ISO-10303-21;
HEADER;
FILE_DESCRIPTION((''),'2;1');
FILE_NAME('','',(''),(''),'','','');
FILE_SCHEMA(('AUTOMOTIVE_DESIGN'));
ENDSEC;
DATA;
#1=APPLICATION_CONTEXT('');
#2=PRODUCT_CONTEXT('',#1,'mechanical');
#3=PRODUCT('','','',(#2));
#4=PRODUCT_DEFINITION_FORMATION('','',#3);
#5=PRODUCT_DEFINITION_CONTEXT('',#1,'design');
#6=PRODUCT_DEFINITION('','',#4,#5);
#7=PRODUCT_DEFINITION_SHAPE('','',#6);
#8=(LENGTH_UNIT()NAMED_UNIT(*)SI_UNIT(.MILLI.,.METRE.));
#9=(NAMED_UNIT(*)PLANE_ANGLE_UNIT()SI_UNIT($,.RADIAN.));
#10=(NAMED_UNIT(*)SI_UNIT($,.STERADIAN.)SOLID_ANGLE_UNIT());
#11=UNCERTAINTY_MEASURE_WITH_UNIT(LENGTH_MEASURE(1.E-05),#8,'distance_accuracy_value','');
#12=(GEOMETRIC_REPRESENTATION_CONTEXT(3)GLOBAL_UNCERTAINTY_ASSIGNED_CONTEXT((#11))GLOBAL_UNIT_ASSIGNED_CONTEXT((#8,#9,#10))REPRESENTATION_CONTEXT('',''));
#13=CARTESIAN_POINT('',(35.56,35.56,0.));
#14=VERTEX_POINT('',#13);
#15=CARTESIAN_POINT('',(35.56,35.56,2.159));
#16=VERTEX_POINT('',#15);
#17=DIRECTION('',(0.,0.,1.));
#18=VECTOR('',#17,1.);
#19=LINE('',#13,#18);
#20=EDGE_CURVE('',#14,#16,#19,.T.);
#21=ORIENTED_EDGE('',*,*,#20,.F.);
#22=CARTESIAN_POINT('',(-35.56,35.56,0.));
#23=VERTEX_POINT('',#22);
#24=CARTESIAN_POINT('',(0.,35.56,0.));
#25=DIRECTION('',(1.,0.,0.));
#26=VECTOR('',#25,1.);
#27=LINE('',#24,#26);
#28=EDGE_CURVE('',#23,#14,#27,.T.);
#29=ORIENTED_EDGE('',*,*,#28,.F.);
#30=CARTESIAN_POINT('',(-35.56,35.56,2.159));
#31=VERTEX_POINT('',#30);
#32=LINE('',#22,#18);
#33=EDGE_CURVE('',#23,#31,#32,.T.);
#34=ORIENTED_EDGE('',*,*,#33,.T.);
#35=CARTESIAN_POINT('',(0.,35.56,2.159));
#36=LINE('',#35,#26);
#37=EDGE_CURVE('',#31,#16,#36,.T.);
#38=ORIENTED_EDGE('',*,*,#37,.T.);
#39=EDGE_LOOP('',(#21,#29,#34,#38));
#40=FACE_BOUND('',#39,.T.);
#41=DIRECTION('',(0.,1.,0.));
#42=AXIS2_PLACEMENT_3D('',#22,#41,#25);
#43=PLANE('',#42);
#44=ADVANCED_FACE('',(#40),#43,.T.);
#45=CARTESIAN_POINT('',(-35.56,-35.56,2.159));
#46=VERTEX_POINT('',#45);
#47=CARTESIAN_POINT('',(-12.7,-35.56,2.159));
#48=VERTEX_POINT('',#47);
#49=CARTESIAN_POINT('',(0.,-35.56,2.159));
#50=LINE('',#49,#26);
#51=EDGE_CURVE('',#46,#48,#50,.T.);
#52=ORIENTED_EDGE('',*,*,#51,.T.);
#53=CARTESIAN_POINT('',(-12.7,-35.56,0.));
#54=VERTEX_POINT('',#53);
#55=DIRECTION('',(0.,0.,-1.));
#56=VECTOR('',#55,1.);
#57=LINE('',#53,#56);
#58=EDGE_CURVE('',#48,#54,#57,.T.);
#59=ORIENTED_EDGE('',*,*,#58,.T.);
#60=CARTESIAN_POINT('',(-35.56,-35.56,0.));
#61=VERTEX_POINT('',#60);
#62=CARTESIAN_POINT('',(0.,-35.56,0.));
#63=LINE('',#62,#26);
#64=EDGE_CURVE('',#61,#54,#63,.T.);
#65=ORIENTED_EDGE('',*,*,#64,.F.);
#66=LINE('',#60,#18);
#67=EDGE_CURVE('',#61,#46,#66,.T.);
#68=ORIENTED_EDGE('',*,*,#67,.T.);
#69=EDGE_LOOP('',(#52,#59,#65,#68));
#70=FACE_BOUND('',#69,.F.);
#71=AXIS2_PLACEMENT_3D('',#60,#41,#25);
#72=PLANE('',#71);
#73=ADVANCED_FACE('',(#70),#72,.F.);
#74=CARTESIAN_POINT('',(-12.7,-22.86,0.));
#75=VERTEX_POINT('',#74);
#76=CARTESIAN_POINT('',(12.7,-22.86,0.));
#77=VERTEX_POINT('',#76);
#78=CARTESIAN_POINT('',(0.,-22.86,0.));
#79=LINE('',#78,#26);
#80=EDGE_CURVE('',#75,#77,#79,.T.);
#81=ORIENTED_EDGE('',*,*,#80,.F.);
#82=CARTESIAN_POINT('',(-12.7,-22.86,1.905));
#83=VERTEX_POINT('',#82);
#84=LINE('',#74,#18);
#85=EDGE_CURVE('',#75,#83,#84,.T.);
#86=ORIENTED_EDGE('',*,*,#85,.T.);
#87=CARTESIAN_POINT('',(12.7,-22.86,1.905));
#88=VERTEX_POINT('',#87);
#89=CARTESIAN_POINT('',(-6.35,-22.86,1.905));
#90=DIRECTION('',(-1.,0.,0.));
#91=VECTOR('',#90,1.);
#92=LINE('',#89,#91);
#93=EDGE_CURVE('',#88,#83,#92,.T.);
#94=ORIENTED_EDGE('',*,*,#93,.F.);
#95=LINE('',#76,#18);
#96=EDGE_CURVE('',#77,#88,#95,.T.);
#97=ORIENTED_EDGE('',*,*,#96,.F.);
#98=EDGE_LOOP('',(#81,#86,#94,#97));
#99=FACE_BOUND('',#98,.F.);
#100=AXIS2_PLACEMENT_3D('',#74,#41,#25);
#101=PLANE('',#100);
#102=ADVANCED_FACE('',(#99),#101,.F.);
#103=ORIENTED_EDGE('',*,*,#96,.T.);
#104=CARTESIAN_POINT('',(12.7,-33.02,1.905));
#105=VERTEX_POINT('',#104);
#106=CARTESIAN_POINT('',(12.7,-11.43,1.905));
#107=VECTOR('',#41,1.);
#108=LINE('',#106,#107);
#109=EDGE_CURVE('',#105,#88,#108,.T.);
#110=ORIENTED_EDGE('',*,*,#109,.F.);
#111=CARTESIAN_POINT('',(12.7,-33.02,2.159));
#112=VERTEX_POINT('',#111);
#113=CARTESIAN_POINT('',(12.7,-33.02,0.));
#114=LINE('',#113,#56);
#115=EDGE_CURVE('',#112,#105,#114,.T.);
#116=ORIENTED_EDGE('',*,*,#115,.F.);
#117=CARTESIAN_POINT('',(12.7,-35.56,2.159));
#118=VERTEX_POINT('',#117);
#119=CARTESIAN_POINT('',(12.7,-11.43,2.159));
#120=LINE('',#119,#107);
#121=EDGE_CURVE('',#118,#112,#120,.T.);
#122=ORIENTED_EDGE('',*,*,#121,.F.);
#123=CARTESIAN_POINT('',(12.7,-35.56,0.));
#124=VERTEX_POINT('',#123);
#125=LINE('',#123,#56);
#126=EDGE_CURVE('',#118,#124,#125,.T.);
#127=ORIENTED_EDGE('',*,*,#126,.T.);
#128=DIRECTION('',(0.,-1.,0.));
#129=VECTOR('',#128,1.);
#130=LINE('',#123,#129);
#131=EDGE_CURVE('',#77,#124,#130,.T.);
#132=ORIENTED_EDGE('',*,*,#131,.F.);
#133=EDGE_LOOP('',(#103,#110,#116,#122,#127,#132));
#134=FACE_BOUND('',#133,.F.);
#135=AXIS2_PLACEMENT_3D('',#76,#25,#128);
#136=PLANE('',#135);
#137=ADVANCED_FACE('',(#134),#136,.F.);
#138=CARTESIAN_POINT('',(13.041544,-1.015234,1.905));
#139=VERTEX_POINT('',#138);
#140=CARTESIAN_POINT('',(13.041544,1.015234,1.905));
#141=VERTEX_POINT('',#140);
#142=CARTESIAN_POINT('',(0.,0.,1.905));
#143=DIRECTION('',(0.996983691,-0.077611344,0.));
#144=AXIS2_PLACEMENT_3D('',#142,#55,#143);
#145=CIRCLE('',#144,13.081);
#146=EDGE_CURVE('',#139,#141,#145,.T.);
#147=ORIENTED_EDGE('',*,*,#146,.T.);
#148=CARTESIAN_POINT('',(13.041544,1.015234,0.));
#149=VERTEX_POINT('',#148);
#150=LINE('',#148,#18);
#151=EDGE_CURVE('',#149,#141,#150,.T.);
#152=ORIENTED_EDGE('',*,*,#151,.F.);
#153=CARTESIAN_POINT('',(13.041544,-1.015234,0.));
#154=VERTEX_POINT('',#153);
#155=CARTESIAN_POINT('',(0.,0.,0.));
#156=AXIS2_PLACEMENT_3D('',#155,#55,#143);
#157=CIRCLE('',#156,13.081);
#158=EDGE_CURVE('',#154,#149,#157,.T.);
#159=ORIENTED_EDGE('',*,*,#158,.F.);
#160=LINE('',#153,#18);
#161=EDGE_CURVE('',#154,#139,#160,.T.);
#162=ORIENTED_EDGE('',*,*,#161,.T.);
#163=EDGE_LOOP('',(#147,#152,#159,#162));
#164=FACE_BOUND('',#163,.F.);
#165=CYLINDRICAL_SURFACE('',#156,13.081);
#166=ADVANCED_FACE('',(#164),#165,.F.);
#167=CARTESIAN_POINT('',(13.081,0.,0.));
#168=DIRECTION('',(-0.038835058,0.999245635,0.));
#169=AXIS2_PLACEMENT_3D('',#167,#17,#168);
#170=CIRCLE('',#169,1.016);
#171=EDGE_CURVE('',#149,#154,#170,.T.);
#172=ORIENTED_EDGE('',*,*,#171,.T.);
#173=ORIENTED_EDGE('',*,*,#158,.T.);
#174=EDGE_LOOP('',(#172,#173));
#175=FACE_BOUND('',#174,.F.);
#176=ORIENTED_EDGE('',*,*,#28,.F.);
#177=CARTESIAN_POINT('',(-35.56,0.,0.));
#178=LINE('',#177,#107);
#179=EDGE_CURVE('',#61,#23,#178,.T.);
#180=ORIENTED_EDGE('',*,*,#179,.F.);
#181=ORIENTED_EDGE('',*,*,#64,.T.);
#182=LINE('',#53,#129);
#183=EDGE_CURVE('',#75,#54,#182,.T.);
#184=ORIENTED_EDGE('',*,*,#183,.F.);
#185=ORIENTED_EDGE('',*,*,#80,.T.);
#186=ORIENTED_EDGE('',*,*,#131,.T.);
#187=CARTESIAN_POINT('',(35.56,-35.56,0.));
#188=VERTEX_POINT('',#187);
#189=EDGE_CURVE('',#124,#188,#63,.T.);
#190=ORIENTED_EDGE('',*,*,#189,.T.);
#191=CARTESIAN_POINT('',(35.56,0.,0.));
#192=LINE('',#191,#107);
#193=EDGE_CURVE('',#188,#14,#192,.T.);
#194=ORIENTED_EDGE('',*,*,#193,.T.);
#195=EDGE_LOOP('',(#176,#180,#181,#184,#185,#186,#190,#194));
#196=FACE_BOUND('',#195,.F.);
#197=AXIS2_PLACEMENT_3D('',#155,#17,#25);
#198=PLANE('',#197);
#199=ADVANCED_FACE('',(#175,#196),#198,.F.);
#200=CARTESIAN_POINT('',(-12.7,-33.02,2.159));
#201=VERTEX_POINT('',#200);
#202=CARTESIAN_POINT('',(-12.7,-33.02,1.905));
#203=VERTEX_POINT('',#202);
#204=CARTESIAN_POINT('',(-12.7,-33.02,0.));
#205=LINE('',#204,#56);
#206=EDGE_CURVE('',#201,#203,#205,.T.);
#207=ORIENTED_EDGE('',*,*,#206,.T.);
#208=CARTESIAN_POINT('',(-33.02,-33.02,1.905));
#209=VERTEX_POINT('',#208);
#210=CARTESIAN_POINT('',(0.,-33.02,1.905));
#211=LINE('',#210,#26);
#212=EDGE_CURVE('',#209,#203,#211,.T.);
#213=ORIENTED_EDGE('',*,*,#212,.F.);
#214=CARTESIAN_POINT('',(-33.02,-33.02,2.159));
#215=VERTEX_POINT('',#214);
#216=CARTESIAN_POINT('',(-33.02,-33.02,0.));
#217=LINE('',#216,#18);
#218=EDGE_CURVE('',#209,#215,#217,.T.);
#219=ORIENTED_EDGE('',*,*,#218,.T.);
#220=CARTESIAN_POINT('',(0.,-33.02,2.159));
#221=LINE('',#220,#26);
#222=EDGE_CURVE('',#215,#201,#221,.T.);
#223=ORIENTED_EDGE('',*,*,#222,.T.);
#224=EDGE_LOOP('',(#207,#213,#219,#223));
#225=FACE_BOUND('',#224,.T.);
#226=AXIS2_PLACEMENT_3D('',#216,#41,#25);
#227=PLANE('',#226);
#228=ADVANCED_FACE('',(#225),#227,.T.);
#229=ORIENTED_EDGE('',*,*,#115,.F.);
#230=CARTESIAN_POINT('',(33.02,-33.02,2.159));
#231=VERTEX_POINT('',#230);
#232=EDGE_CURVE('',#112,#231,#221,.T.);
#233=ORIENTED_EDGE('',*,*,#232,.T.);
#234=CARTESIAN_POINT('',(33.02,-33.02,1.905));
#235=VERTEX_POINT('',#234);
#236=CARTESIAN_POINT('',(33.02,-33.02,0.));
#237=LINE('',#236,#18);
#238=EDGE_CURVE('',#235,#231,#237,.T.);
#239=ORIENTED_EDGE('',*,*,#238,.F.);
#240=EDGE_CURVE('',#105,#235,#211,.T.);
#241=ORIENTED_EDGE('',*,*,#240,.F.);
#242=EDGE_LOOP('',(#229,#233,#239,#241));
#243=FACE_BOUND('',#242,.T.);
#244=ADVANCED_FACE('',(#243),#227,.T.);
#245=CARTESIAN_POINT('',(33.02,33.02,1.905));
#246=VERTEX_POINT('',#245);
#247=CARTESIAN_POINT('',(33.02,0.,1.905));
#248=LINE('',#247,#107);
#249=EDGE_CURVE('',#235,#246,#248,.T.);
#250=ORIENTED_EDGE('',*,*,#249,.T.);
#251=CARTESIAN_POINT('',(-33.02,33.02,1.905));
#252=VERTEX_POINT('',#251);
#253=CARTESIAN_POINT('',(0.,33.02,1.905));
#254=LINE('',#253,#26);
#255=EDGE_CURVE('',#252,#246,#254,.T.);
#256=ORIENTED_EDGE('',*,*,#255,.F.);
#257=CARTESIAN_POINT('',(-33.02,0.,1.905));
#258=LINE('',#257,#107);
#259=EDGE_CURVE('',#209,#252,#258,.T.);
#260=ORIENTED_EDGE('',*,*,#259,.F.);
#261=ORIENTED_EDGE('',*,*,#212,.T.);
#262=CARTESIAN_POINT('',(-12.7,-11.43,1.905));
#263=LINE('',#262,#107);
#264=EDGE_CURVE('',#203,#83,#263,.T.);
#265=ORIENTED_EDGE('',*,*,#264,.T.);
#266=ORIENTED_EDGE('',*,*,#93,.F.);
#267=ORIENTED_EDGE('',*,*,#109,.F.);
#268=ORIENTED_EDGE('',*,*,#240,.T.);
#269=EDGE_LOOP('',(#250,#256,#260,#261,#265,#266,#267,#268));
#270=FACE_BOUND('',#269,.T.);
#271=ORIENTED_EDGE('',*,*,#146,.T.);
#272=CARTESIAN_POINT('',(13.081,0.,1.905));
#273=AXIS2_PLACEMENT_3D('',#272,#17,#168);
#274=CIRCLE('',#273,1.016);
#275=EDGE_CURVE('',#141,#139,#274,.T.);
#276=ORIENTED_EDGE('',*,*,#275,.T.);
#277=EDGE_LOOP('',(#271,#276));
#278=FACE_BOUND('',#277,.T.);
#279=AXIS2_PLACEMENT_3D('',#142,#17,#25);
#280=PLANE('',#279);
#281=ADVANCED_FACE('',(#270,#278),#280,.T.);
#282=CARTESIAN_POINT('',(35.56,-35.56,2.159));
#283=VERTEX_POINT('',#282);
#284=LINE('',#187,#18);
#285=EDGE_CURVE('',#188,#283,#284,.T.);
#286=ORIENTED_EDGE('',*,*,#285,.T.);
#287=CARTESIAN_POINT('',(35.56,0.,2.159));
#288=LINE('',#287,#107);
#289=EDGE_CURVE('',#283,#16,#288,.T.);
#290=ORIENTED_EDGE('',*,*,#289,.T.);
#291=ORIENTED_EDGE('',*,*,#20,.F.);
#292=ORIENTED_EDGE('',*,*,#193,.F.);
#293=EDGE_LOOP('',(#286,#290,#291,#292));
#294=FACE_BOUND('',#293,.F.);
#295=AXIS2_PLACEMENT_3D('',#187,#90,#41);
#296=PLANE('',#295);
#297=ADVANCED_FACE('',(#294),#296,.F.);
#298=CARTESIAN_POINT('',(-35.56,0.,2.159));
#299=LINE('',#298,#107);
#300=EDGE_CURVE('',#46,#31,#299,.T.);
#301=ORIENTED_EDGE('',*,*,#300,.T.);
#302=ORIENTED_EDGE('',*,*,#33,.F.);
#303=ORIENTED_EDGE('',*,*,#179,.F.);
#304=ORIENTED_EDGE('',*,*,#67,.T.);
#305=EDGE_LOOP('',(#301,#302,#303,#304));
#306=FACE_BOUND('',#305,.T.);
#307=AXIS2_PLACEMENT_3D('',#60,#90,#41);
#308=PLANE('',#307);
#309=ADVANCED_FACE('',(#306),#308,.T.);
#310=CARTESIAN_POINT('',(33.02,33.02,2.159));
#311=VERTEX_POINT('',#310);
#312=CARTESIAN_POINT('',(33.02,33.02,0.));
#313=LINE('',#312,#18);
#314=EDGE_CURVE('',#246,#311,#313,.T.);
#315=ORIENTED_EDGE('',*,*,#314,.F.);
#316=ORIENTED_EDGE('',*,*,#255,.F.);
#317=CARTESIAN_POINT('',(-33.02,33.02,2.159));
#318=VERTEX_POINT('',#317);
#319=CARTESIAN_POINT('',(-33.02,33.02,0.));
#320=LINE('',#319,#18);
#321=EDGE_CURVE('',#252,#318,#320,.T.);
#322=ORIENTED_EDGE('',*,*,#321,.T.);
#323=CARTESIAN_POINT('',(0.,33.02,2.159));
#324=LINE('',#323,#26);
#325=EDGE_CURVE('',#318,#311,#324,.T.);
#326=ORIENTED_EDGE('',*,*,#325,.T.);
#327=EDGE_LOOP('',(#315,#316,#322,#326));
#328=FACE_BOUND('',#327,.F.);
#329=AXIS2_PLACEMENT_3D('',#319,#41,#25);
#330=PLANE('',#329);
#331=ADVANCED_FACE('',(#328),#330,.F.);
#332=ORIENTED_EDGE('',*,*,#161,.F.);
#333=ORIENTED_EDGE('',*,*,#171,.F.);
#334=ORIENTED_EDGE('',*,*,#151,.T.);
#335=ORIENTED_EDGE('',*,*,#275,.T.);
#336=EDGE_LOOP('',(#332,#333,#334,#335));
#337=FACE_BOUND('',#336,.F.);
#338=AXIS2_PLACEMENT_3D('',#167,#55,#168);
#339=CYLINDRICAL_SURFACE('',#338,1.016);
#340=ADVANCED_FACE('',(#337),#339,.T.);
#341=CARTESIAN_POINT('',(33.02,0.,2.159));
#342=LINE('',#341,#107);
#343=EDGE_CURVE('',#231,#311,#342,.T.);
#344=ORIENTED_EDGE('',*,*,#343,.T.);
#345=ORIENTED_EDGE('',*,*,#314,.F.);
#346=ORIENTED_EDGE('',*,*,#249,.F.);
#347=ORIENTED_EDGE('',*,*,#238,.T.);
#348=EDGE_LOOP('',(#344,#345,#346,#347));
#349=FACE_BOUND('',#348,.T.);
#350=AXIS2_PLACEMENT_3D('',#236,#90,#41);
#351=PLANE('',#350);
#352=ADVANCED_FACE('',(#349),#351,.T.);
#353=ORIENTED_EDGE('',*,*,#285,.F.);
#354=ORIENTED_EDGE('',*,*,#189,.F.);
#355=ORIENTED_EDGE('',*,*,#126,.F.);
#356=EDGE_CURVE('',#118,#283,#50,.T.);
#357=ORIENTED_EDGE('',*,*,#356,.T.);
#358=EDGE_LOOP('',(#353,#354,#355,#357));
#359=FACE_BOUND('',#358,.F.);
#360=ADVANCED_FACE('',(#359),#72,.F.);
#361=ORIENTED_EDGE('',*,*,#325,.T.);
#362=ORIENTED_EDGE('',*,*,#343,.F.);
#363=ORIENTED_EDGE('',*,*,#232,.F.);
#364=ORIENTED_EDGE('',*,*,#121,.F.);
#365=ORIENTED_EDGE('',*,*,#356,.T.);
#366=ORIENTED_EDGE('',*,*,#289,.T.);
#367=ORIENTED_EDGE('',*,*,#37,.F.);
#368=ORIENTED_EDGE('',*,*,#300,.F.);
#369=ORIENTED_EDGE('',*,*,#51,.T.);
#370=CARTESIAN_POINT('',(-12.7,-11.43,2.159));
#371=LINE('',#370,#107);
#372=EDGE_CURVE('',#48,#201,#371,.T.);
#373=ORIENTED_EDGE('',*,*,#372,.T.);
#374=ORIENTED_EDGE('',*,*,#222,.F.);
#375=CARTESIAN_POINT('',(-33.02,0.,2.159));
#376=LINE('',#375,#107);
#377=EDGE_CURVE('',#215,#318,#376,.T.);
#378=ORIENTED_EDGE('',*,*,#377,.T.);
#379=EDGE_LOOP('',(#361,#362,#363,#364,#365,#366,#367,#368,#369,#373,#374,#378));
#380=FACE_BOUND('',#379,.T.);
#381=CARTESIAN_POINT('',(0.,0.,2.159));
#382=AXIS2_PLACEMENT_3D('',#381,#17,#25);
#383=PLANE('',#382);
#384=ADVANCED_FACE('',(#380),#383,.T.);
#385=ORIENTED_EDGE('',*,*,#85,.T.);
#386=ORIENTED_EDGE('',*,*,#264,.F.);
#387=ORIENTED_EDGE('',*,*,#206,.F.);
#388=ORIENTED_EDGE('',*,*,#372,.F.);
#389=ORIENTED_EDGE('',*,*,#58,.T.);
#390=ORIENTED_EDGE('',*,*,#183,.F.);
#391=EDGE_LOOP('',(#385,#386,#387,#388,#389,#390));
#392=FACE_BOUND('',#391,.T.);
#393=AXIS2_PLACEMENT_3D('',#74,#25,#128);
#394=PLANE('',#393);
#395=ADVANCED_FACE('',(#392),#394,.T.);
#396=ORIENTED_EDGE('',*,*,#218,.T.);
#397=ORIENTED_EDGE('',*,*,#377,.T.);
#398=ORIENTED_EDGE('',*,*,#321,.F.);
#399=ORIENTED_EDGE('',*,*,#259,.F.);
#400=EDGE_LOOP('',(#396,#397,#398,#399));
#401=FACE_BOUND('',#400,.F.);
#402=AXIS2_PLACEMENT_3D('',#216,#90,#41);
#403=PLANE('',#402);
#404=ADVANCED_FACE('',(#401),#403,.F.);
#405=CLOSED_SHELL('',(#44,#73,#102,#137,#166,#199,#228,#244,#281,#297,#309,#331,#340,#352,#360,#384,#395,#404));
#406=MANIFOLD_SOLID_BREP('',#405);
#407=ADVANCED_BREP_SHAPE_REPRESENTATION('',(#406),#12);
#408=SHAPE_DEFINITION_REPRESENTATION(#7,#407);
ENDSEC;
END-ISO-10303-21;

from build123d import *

# Parameters (mm, degrees)
F0_W     = 66.04
F0_H     = 66.04
F1_DEPTH = 1.905
F0_W_2   = 71.12
F0_H_2   = 71.12
F2_DEPTH = 2.159
F3_W     = 25.4
F3_H     = 25.4
F4_DEPTH = 25.4


with BuildPart() as f1:
    # F0 (on Top) → F1 (new body)
    with BuildSketch(Plane.XY):
        Rectangle(F0_W, F0_H)
        with BuildLine():
            ThreePointArc((13.041544, -1.015234), (-13.081, 0), (13.041544, 1.015234))
            ThreePointArc((13.041544, 1.015234), (12.065, 0), (13.041544, -1.015234))
        make_face(mode=Mode.SUBTRACT)
    extrude(amount=F1_DEPTH)

    # F0 (on Top) → F2 (join)
    with BuildSketch(Plane.XY):
        Rectangle(F0_W_2, F0_H_2)
        Rectangle(F0_W, F0_H, mode=Mode.SUBTRACT)
    extrude(amount=F2_DEPTH)

    # F3 (on face) → F4 (cut)
    with BuildSketch(Plane(origin=(0, 0, 0), x_dir=(1, 0, 0), z_dir=(0, 0, -1))):
        with Locations((0, 35.56)):
            Rectangle(F3_W, F3_H)
    extrude(amount=-F4_DEPTH, mode=Mode.SUBTRACT)


solid = f1.part
